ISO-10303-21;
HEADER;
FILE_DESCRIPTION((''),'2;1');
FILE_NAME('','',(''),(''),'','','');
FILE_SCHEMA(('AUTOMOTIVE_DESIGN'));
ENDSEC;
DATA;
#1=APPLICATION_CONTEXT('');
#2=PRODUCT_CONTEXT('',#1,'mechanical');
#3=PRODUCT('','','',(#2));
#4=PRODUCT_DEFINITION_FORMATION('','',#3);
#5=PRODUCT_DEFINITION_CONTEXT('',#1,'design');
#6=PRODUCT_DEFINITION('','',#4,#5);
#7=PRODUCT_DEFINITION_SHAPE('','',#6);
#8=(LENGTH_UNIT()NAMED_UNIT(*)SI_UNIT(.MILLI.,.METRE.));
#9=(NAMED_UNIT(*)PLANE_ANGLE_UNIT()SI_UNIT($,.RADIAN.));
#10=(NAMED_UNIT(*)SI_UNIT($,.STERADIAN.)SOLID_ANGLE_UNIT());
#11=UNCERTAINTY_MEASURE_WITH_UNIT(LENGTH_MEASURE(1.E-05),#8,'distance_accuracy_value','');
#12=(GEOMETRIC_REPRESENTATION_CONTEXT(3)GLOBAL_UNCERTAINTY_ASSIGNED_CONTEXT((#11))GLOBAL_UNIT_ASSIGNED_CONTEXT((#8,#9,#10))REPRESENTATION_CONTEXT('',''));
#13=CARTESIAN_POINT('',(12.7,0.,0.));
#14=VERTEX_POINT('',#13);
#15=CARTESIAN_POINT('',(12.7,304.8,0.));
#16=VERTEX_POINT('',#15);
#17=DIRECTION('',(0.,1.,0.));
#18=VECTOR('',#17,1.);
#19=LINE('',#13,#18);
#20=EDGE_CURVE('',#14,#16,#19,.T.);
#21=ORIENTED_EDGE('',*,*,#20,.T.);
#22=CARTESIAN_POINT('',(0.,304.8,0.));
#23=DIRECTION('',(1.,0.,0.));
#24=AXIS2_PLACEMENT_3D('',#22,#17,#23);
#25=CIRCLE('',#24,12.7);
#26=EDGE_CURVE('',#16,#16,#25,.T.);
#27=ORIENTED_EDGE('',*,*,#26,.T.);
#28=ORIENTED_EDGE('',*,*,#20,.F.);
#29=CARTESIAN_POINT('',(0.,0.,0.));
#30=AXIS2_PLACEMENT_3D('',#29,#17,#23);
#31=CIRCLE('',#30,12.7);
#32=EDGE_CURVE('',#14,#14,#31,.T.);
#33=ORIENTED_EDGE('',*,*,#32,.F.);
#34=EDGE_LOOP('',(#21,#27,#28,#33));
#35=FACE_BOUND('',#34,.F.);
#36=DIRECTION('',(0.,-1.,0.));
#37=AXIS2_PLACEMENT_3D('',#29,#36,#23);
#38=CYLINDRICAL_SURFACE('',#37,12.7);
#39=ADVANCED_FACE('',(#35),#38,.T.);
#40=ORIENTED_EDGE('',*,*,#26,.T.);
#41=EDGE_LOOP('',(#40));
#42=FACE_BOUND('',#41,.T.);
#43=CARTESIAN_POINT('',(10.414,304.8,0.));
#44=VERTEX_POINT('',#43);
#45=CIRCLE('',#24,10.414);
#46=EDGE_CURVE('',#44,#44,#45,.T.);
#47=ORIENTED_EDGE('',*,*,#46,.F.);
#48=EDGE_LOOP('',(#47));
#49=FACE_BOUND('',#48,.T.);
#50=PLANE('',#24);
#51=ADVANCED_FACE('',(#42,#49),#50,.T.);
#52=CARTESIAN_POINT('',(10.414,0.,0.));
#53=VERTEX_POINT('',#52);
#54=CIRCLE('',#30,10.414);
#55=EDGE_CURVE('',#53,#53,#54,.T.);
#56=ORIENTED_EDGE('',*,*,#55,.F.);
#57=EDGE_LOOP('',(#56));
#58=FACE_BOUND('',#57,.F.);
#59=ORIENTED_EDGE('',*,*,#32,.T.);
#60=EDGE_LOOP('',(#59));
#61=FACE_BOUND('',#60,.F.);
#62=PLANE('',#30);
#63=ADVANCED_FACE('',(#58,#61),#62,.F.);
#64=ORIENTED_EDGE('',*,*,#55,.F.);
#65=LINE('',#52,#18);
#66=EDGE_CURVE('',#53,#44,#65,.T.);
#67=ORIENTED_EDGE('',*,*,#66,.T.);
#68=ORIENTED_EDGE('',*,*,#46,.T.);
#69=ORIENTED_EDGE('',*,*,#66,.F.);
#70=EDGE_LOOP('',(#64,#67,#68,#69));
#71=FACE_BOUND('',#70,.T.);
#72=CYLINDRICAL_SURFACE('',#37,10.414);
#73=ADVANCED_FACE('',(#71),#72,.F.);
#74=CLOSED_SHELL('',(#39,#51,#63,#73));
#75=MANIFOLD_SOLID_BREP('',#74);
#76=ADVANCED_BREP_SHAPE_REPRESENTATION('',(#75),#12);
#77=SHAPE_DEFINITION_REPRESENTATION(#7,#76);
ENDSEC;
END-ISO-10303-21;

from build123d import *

# Parameters (mm, degrees)
SKETCH1_R           = 12.7
SKETCH1_R_2         = 10.414
BOSS_EXTRUDE1_DEPTH = 304.8


with BuildPart() as part:
    # Sketch1 → Boss-Extrude1 (new body)
    with BuildSketch(Plane(origin=(0, 0, 0), x_dir=(1, 0, 0), z_dir=(0, 1, 0))):
        Circle(SKETCH1_R)
        Circle(SKETCH1_R_2, mode=Mode.SUBTRACT)
    extrude(amount=BOSS_EXTRUDE1_DEPTH)


solid = part.part
